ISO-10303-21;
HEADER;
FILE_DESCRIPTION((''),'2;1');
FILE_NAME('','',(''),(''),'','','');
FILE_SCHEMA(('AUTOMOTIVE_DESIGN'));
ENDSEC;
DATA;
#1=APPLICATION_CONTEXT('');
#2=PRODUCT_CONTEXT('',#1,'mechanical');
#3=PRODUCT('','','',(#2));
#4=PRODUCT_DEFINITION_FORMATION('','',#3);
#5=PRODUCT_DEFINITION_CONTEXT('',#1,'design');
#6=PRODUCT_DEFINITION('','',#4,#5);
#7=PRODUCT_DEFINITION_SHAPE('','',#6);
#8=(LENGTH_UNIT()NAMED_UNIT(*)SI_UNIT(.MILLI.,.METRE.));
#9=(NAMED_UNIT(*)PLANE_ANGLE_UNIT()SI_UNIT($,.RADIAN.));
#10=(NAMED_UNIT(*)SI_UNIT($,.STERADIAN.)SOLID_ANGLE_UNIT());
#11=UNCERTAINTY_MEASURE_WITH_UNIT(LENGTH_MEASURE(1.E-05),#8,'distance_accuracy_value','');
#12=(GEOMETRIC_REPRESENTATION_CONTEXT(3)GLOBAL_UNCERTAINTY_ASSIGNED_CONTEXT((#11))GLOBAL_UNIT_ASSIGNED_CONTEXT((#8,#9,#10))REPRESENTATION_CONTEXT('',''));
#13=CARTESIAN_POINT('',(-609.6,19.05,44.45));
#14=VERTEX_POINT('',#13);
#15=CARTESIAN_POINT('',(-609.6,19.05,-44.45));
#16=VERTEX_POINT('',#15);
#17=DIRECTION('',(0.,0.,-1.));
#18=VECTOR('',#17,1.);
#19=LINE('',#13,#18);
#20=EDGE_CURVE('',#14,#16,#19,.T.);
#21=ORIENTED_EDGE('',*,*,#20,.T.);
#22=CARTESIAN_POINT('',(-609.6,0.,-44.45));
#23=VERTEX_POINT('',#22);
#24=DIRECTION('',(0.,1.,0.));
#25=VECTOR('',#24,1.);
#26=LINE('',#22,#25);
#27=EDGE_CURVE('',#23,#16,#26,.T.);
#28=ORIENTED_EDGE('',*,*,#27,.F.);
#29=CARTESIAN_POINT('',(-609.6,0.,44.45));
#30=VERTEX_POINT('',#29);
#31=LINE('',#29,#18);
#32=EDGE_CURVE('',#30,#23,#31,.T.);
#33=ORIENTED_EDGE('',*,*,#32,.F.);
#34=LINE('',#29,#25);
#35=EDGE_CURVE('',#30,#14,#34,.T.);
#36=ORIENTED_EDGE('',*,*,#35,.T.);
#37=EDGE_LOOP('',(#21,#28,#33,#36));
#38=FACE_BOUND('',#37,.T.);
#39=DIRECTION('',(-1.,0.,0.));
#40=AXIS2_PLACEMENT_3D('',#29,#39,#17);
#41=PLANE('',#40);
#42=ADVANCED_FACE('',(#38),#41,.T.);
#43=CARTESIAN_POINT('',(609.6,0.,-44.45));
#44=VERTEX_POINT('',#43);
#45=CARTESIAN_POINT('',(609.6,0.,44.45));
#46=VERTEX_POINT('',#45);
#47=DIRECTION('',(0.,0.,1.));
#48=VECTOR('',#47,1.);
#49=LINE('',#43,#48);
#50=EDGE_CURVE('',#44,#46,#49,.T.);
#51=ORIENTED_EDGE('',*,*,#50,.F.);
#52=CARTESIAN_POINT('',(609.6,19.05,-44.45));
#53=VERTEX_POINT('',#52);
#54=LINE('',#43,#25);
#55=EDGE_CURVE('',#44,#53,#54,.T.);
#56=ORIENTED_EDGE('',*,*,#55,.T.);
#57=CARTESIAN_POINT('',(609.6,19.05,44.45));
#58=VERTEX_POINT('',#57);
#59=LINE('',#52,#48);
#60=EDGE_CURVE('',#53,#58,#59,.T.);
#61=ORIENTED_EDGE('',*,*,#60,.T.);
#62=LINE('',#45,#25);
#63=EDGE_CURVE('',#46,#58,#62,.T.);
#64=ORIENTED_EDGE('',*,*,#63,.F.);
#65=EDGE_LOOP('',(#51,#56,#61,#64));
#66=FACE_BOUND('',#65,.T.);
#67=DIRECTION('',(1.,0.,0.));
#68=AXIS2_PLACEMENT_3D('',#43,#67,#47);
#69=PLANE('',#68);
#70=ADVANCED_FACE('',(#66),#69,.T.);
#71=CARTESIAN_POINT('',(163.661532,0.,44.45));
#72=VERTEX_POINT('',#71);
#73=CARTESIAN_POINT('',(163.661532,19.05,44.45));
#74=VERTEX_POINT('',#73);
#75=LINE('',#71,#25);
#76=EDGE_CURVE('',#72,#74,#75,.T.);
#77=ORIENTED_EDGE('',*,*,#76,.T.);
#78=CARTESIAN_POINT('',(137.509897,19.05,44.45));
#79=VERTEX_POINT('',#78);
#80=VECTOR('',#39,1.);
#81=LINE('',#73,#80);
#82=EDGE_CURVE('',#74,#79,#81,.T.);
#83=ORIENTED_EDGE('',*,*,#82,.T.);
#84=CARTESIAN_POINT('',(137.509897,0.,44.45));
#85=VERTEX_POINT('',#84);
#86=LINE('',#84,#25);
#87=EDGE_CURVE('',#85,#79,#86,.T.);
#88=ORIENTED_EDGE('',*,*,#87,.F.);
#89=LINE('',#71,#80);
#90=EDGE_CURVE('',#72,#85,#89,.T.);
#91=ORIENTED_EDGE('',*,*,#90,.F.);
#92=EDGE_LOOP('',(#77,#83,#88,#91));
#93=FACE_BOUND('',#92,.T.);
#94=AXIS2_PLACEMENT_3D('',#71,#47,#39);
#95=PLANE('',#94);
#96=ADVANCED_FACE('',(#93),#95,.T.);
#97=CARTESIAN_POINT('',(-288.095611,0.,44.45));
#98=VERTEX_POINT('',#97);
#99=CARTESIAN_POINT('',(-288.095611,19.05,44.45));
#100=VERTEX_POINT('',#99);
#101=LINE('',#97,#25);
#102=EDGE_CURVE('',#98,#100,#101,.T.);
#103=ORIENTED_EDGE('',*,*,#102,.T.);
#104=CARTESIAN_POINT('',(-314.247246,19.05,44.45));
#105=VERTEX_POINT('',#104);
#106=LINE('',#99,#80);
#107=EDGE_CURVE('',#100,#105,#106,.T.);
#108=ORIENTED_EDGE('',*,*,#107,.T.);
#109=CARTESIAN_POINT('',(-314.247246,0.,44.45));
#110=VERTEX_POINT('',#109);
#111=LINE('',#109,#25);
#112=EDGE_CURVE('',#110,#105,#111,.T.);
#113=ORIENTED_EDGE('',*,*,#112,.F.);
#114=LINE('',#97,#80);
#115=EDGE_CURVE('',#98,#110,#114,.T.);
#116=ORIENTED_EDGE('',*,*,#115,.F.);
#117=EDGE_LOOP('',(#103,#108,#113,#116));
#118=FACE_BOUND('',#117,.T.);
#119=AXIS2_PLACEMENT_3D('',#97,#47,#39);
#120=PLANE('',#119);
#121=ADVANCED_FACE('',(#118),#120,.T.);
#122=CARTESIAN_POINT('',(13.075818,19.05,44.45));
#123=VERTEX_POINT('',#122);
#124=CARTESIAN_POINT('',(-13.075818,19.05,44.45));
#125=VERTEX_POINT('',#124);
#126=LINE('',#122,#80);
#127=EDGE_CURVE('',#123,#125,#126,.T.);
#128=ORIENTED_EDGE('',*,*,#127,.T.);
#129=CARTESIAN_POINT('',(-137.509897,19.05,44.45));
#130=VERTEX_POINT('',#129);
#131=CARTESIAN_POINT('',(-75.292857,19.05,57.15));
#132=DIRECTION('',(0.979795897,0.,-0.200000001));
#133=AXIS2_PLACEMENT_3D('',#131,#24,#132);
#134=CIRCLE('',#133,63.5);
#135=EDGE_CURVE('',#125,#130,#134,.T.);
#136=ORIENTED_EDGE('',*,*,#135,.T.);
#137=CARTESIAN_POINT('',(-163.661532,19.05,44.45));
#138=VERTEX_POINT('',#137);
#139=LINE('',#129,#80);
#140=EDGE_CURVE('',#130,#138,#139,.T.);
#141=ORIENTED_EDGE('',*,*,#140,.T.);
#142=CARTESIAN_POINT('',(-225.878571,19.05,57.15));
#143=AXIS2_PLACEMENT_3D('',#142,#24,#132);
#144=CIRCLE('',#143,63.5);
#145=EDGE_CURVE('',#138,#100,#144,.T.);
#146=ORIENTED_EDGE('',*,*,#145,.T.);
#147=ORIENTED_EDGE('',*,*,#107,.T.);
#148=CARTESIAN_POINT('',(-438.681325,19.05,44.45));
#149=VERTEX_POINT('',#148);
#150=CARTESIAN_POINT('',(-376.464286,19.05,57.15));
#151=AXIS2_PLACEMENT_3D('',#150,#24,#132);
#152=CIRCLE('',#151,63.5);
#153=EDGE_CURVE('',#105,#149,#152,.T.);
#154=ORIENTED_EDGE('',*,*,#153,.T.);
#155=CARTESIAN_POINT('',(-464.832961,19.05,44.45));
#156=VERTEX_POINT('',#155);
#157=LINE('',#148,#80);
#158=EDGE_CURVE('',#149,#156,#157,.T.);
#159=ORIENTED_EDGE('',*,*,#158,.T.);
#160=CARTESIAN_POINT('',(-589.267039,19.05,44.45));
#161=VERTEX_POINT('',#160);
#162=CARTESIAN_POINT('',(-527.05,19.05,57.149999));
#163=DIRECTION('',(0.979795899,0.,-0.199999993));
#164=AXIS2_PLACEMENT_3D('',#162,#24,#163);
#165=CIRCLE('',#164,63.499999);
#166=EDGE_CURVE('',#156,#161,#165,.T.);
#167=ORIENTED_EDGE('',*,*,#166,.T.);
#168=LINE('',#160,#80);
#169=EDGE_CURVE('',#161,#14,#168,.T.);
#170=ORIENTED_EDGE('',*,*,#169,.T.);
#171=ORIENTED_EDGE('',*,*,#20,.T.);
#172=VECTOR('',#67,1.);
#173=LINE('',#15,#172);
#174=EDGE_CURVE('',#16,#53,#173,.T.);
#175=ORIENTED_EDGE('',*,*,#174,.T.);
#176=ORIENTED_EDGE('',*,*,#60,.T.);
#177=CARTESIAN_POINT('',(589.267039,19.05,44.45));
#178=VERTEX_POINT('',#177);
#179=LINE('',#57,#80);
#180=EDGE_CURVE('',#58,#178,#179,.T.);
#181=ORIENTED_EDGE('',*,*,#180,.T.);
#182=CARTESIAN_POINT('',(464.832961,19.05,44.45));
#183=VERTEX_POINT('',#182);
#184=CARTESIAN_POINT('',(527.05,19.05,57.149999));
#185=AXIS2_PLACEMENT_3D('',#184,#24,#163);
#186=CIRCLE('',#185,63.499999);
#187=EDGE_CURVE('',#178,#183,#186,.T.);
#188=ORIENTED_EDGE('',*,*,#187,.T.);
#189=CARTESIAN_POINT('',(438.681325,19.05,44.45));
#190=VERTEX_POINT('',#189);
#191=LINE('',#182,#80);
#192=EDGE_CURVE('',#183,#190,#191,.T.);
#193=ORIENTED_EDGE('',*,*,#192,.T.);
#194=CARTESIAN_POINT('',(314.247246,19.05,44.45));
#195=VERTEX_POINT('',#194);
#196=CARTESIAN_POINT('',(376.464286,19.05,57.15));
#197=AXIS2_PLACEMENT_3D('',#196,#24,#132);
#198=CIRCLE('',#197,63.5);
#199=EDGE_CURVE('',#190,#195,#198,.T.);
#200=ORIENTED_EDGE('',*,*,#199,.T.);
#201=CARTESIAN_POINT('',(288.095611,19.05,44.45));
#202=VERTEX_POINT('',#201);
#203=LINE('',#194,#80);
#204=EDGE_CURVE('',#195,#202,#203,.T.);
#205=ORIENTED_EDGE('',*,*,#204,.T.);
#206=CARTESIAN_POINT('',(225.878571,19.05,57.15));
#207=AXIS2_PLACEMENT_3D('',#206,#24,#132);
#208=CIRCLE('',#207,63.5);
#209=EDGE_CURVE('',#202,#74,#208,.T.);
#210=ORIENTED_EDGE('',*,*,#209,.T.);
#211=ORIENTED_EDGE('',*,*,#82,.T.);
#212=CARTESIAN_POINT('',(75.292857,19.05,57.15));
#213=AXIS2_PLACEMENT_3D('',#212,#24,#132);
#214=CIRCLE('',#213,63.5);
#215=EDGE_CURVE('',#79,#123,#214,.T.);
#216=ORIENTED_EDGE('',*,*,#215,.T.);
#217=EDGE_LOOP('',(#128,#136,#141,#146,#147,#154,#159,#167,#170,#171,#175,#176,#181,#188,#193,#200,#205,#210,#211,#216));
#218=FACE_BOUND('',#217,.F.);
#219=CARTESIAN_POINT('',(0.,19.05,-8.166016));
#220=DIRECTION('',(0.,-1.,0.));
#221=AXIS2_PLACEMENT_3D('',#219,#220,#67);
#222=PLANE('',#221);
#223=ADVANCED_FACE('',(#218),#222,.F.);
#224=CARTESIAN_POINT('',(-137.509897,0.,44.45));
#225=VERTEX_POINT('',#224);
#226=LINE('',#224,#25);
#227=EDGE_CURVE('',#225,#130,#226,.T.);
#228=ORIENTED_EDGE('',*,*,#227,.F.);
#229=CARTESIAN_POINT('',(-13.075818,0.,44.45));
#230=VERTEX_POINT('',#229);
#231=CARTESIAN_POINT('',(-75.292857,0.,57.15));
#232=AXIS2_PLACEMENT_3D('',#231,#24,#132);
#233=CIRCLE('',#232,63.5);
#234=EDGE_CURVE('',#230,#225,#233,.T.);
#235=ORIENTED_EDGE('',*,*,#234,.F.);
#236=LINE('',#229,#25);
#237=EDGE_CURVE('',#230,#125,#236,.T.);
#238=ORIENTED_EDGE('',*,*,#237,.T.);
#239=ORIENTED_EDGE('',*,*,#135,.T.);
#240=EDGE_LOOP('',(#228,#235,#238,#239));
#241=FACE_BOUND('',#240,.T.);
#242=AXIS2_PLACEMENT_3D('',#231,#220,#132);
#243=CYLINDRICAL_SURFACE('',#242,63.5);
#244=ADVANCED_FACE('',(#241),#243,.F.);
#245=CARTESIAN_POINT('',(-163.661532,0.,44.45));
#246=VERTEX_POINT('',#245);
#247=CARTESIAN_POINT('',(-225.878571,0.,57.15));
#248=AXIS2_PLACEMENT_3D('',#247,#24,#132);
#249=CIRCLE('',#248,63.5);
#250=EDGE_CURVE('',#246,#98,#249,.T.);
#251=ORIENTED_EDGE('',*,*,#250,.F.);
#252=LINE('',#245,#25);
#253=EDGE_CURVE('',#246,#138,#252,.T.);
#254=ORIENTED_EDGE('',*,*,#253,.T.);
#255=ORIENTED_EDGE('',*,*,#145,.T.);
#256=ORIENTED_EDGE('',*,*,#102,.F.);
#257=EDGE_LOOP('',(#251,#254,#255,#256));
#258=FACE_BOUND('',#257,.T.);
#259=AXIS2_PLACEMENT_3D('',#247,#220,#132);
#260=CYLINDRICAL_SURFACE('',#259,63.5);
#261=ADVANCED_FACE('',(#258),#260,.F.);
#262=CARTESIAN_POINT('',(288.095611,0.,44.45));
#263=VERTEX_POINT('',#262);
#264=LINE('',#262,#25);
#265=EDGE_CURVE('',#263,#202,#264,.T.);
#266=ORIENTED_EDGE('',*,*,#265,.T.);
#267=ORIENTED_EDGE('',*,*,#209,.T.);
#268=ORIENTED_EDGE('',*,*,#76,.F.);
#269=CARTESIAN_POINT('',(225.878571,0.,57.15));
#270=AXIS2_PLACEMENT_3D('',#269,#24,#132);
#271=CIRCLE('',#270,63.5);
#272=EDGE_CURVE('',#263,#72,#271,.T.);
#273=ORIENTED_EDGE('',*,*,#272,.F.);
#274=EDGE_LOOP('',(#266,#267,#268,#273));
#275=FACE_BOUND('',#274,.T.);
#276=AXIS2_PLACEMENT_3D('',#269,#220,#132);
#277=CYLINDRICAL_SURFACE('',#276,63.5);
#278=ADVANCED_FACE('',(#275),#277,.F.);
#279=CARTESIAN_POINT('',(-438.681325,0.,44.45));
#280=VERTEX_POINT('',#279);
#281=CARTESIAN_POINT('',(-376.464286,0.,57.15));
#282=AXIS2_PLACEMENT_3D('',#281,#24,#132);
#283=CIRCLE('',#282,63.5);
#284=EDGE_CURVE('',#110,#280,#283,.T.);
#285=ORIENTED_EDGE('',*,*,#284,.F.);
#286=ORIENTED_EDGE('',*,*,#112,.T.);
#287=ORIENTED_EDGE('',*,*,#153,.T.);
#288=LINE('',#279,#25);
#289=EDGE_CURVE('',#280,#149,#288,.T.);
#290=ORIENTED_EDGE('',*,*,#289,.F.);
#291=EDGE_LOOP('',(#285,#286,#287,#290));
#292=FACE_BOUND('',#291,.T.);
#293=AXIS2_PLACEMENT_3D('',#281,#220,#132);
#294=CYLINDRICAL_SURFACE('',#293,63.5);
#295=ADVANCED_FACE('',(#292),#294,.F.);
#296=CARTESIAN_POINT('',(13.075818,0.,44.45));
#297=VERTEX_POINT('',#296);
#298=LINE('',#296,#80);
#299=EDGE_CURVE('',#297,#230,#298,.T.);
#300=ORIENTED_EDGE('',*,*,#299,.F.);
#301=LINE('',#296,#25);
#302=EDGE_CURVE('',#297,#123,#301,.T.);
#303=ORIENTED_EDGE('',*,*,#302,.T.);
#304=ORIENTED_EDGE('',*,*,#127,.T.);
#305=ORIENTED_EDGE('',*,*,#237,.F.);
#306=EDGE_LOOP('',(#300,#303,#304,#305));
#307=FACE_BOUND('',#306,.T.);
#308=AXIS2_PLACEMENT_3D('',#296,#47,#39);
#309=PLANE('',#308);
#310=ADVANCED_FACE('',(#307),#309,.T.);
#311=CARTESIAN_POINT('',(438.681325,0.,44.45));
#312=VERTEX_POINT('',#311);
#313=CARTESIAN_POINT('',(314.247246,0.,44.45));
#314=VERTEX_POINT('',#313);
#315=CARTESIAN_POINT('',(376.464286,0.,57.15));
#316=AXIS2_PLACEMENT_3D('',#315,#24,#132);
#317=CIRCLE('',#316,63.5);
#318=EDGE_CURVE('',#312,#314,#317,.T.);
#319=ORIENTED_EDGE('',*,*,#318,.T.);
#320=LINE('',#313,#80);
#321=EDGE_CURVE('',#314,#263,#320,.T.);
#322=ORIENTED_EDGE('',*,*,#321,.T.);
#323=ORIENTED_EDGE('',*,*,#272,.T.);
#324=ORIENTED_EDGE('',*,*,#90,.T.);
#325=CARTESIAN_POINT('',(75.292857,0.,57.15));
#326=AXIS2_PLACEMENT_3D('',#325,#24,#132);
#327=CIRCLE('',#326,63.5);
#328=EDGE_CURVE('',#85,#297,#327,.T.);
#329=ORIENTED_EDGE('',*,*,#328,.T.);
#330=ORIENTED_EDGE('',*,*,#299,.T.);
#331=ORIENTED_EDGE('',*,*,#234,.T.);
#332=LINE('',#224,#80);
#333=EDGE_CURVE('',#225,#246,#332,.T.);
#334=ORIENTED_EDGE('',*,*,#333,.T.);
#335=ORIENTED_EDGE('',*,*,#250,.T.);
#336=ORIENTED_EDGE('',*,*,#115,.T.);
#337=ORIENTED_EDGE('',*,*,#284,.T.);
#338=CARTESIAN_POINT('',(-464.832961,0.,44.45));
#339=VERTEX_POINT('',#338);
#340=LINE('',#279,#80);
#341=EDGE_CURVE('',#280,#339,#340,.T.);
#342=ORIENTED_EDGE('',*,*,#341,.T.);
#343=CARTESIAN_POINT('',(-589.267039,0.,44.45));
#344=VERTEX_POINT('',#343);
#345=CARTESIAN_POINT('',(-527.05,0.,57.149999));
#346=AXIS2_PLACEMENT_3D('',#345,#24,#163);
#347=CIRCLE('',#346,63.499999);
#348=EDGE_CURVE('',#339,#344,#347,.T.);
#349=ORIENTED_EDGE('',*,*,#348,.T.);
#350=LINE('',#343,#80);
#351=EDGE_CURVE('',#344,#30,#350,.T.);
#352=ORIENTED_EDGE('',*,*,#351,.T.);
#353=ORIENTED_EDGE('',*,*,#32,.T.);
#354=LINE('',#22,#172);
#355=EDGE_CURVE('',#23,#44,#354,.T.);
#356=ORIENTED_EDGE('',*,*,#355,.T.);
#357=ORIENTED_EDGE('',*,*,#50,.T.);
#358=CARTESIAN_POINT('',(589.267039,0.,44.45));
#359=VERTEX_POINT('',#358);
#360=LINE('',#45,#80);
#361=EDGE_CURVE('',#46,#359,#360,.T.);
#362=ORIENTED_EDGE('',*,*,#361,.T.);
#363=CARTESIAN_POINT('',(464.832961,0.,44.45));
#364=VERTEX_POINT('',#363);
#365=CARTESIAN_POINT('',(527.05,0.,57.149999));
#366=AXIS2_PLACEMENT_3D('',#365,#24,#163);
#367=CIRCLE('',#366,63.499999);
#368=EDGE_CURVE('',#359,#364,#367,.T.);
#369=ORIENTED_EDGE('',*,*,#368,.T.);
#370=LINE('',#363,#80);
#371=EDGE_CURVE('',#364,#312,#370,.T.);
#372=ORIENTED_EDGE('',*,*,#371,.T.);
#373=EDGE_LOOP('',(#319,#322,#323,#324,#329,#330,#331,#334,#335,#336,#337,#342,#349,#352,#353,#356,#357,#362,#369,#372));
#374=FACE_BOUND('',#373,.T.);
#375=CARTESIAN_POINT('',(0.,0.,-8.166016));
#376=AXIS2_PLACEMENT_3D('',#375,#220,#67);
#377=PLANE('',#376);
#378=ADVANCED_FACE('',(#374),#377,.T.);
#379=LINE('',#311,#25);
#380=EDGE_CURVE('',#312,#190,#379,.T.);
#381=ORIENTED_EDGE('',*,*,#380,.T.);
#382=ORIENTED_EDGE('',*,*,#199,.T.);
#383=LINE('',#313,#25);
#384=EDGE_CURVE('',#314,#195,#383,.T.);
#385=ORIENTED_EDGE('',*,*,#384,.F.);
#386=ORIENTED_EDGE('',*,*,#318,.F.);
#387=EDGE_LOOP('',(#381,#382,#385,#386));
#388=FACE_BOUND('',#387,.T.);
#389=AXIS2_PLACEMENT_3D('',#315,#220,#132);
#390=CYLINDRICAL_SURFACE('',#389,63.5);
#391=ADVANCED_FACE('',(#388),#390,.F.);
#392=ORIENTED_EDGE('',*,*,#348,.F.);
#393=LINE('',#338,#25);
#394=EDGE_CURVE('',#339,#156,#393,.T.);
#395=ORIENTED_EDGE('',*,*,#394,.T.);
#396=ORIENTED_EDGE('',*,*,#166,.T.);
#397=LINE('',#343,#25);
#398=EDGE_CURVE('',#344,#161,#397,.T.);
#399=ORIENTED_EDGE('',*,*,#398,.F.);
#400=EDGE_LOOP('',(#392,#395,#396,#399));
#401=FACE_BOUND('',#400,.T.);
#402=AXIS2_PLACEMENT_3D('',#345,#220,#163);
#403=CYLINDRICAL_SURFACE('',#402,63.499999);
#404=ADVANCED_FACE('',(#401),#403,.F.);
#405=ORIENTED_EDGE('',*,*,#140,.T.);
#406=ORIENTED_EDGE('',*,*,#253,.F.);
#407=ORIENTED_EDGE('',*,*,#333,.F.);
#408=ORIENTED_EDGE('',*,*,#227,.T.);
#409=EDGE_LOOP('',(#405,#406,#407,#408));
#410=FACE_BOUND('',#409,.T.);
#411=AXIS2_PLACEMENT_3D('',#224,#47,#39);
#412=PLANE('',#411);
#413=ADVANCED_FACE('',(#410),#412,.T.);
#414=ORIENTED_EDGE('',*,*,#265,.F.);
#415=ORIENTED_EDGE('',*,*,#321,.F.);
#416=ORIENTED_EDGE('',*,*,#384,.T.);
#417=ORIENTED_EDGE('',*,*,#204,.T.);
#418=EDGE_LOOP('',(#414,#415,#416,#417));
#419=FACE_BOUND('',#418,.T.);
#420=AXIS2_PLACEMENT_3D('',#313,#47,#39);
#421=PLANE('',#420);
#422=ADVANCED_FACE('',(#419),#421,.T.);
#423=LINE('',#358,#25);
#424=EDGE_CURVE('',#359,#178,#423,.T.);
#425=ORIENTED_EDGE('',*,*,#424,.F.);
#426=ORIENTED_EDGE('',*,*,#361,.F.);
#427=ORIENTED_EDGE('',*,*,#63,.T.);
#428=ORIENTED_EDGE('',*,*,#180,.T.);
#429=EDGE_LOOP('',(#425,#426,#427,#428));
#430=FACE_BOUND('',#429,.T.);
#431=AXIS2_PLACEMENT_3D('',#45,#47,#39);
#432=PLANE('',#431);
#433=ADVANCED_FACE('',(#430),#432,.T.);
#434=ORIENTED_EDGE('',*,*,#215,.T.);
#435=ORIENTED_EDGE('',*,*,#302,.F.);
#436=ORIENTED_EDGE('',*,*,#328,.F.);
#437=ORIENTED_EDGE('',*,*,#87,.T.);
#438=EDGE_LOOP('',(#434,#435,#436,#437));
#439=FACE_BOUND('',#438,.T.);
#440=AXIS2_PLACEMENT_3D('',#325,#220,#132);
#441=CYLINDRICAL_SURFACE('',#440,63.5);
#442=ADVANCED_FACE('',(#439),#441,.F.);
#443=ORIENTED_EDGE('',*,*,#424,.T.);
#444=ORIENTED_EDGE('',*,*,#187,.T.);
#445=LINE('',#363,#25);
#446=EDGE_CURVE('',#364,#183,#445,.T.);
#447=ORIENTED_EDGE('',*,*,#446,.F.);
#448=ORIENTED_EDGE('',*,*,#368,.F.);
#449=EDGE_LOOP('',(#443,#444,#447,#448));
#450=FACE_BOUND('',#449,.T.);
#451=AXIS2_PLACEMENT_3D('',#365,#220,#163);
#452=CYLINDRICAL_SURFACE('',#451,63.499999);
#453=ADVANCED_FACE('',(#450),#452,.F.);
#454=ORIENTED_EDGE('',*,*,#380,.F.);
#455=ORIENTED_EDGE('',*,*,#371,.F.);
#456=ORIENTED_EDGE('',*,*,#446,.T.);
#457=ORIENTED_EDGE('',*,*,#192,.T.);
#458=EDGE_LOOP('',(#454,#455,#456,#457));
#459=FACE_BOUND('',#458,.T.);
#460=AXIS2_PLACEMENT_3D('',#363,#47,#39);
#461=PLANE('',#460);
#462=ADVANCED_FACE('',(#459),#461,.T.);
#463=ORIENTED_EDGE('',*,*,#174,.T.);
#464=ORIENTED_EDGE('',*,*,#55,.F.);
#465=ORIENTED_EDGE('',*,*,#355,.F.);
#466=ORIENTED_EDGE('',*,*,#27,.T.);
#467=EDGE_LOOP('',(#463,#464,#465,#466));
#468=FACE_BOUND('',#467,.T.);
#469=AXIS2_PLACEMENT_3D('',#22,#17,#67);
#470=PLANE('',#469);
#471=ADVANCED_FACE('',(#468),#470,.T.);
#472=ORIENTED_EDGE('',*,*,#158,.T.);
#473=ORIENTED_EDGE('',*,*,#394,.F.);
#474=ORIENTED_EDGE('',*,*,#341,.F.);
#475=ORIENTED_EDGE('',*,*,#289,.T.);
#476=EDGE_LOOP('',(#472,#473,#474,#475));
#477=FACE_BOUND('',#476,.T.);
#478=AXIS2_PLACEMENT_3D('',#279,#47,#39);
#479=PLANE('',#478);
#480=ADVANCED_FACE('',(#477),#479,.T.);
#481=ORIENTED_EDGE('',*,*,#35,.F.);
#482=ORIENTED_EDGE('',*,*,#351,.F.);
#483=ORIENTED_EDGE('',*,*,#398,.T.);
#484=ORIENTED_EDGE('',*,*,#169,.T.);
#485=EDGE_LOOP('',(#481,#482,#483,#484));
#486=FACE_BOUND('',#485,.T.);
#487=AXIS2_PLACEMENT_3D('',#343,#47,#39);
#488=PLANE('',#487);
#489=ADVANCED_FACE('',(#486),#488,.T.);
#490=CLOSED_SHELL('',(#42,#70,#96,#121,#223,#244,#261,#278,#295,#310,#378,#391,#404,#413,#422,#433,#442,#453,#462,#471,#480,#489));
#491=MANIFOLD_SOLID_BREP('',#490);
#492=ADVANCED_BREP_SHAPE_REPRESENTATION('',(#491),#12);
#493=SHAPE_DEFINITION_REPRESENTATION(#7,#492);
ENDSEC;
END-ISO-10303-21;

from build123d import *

# Parameters (mm, degrees)
F1_DEPTH = 19.05


with BuildPart() as f1:
    # F0 (on Front) → F1 (new body)
    with BuildSketch(Plane.XZ):
        with BuildLine():
            Line((-609.6, -44.45), (609.6, -44.45))
            Line((609.6, -44.45), (609.6, 44.45))
            Line((609.6, 44.45), (589.267039, 44.45))
            ThreePointArc((589.267039, 44.45), (527.05, -6.35), (464.832961, 44.45))
            Line((464.832961, 44.45), (438.681325, 44.45))
            ThreePointArc((438.681325, 44.45), (376.464286, -6.35), (314.247246, 44.45))
            Line((314.247246, 44.45), (288.095611, 44.45))
            ThreePointArc((288.095611, 44.45), (225.878571, -6.35), (163.661532, 44.45))
            Line((163.661532, 44.45), (137.509897, 44.45))
            ThreePointArc((137.509897, 44.45), (75.292857, -6.35), (13.075818, 44.45))
            Line((13.075818, 44.45), (-13.075818, 44.45))
            ThreePointArc((-13.075818, 44.45), (-75.292857, -6.35), (-137.509897, 44.45))
            Line((-137.509897, 44.45), (-163.661532, 44.45))
            ThreePointArc((-163.661532, 44.45), (-225.878571, -6.35), (-288.095611, 44.45))
            Line((-288.095611, 44.45), (-314.247246, 44.45))
            ThreePointArc((-314.247246, 44.45), (-376.464286, -6.35), (-438.681325, 44.45))
            Line((-438.681325, 44.45), (-464.832961, 44.45))
            ThreePointArc((-464.832961, 44.45), (-527.05, -6.35), (-589.267039, 44.45))
            Line((-589.267039, 44.45), (-609.6, 44.45))
            Line((-609.6, 44.45), (-609.6, -44.45))
        make_face()
    extrude(amount=-F1_DEPTH)


solid = f1.part
